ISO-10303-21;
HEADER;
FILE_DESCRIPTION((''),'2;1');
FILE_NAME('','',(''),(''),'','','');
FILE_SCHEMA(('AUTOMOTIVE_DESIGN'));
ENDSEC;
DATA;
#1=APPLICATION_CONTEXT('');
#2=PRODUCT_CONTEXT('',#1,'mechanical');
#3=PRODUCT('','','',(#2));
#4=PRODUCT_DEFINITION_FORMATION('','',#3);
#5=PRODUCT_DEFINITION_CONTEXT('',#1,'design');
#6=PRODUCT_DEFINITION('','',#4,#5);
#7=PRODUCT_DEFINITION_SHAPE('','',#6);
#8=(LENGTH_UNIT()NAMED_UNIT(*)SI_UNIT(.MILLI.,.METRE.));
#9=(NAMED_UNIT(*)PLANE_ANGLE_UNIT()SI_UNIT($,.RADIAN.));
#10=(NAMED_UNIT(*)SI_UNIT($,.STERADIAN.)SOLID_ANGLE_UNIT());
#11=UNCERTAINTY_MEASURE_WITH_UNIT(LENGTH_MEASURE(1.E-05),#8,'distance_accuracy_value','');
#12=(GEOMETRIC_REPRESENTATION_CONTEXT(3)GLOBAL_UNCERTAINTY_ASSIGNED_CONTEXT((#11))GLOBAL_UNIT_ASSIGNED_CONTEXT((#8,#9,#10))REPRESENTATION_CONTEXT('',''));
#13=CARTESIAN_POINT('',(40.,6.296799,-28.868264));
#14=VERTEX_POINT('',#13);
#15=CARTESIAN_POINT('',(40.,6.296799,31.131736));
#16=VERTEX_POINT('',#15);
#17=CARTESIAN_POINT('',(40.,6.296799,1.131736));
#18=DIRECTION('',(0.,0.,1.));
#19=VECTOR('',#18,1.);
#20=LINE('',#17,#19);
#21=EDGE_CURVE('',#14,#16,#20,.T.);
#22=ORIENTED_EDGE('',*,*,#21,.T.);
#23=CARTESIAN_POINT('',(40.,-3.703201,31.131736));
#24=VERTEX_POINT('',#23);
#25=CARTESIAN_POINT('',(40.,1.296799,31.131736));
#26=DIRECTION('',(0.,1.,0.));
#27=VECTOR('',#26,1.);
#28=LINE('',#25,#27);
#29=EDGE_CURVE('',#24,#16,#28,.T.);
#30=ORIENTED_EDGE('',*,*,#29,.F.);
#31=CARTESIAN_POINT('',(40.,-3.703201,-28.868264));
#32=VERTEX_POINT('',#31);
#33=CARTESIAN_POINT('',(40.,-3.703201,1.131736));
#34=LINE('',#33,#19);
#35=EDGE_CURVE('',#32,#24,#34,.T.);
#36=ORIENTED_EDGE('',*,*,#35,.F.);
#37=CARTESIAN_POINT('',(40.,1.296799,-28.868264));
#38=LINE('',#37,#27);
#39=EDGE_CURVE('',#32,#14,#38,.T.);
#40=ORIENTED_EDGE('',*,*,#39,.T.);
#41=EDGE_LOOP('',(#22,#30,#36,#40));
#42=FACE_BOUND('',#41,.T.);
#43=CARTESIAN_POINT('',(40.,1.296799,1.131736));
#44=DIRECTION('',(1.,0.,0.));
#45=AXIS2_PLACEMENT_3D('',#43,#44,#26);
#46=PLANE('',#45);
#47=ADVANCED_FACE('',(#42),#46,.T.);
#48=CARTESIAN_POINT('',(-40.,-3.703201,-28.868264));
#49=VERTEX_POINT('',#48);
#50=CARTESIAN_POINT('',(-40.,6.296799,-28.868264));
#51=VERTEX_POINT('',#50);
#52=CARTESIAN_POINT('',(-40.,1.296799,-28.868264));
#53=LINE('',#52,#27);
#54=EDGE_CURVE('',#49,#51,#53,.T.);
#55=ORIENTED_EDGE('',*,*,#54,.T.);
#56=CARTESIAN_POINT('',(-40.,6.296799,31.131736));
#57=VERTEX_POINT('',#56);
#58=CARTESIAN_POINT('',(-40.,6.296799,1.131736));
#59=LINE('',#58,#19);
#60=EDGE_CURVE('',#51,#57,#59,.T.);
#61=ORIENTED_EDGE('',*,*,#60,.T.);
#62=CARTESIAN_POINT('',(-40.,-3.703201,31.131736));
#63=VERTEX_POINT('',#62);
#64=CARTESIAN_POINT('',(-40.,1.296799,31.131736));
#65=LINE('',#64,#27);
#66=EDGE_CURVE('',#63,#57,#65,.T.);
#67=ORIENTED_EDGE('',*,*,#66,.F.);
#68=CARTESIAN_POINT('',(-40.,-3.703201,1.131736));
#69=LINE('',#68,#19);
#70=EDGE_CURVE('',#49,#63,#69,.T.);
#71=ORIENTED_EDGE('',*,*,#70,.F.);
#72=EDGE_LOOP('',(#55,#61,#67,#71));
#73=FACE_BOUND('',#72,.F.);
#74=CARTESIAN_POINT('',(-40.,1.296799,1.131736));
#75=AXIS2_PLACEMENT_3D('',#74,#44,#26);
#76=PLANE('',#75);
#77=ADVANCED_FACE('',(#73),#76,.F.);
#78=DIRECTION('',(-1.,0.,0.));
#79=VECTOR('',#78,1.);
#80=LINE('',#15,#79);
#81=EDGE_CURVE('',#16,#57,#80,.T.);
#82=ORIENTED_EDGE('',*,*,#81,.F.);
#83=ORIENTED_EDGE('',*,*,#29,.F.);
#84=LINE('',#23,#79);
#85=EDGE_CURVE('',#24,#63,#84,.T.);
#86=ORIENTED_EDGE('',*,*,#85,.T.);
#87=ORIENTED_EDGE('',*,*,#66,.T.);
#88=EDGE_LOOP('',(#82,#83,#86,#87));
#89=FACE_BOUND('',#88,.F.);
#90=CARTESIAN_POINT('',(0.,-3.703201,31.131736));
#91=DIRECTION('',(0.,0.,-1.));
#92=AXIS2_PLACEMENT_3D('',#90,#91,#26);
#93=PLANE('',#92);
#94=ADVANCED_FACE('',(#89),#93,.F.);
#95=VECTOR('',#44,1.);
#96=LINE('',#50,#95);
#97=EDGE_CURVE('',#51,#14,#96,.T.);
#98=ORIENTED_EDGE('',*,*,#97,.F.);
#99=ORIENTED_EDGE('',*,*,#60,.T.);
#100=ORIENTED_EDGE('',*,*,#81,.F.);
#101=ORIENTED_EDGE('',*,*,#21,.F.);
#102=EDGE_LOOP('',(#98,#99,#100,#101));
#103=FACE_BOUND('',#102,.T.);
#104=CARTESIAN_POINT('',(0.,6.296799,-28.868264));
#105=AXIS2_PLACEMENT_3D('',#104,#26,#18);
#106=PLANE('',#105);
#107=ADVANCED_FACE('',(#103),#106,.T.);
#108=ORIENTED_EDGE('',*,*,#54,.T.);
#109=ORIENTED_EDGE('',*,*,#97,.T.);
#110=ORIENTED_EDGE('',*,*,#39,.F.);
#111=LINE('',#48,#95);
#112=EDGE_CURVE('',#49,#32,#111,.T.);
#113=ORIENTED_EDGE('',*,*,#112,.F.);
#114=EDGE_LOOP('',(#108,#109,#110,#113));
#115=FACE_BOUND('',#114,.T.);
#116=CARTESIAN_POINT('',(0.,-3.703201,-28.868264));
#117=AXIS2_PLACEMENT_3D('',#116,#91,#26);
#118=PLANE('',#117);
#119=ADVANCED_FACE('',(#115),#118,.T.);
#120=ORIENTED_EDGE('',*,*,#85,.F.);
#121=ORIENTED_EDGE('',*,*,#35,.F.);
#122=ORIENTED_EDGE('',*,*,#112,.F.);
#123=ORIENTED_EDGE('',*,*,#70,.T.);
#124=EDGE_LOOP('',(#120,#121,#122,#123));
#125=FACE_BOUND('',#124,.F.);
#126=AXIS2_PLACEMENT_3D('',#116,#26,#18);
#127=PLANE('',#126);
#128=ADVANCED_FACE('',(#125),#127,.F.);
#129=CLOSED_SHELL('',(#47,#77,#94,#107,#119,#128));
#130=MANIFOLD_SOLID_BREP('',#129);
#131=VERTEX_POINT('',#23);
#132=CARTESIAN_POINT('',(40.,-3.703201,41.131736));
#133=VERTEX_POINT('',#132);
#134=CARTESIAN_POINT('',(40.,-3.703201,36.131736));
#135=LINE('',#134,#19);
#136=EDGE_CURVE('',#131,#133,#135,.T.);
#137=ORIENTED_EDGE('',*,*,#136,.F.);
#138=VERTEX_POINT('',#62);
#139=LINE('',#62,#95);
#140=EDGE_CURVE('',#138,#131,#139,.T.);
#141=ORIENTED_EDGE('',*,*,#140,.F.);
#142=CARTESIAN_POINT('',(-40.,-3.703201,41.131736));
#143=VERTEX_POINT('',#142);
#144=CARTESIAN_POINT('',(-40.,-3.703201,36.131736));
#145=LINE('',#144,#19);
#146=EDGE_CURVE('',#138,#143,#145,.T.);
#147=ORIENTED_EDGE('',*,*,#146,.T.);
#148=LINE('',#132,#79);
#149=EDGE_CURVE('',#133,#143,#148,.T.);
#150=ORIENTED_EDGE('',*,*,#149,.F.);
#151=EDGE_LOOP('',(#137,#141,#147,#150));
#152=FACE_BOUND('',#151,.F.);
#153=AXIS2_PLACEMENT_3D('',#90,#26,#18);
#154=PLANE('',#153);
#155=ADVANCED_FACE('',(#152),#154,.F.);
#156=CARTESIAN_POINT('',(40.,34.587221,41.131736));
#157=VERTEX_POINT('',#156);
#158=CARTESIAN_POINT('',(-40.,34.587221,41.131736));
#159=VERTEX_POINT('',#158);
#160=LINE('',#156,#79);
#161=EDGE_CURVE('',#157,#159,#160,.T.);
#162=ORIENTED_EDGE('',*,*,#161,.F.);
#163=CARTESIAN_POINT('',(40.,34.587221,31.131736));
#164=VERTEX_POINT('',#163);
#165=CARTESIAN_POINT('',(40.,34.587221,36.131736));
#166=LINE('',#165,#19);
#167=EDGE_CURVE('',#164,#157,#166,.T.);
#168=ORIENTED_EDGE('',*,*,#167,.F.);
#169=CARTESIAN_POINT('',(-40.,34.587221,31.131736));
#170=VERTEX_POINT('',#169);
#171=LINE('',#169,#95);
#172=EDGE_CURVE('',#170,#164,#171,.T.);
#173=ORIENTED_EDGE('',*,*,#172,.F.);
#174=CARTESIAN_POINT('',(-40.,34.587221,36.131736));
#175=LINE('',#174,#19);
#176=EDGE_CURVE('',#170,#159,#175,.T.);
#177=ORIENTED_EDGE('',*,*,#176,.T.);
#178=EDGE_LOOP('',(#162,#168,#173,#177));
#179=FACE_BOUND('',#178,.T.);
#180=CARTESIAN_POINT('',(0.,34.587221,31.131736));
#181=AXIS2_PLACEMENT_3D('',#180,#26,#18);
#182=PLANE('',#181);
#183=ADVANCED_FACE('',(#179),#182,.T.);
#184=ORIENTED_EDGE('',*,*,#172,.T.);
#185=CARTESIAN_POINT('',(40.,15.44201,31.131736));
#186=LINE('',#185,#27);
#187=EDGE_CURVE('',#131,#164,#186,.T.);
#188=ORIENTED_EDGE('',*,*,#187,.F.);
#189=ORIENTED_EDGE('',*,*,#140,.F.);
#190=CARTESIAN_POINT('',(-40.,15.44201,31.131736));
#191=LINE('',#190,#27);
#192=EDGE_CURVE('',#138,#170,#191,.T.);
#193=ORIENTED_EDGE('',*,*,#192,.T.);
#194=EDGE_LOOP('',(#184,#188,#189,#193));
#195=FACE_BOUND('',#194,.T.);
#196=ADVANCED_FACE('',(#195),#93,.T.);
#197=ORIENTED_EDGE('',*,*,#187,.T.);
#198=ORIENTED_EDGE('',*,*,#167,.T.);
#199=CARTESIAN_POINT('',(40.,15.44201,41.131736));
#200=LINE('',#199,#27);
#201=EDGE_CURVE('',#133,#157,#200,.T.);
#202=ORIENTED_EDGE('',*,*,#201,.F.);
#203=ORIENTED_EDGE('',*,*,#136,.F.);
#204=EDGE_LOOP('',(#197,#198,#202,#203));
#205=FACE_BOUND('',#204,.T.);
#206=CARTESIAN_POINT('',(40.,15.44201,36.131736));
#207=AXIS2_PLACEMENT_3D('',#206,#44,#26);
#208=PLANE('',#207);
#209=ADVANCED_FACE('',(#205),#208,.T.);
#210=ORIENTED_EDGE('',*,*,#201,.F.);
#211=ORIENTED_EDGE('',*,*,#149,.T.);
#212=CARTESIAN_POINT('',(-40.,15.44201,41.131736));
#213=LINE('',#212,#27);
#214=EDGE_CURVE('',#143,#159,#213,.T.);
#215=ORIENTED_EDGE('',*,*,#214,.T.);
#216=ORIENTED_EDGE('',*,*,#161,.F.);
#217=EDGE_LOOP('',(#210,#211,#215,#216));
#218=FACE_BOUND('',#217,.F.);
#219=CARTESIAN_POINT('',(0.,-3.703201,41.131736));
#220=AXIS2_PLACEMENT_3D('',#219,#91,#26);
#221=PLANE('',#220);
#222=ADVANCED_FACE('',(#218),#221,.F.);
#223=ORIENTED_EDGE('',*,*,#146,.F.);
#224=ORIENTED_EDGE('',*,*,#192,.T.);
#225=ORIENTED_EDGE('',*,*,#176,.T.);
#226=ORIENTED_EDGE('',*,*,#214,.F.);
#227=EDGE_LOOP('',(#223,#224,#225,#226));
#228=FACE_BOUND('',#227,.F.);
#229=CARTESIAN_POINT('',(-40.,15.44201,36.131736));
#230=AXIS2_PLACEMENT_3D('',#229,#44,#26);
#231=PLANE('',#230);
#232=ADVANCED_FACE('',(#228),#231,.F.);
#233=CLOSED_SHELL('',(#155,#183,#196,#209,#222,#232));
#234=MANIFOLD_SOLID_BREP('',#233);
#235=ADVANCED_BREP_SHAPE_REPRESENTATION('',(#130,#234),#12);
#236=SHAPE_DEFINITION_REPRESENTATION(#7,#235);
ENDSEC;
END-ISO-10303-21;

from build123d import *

# Parameters (mm, degrees)
F0_W          = 10
F0_H          = 60
F1_DEPTH      = 40
F1_DEPTH_BACK = 40
F2_W          = 38.290422
F2_H          = 10
F3_DEPTH      = 40
F3_DEPTH_BACK = 40


with BuildPart() as f1:
    # F0 (on Right) → F1 (new body, two sides)
    with BuildSketch(Plane.YZ) as f1_sk:
        with Locations((1.296799, 1.131736)):
            Rectangle(F0_W, F0_H)
    extrude(amount=F1_DEPTH)
    extrude(f1_sk.sketch, amount=-F1_DEPTH_BACK)


with BuildPart() as f3:
    # F2 (on Right) → F3 (new body, two sides)
    with BuildSketch(Plane.YZ) as f3_sk:
        with Locations((15.44201, 36.131736)):
            Rectangle(F2_W, F2_H)
    extrude(amount=F3_DEPTH)
    extrude(f3_sk.sketch, amount=-F3_DEPTH_BACK)


solid = Compound([f1.part, f3.part])
